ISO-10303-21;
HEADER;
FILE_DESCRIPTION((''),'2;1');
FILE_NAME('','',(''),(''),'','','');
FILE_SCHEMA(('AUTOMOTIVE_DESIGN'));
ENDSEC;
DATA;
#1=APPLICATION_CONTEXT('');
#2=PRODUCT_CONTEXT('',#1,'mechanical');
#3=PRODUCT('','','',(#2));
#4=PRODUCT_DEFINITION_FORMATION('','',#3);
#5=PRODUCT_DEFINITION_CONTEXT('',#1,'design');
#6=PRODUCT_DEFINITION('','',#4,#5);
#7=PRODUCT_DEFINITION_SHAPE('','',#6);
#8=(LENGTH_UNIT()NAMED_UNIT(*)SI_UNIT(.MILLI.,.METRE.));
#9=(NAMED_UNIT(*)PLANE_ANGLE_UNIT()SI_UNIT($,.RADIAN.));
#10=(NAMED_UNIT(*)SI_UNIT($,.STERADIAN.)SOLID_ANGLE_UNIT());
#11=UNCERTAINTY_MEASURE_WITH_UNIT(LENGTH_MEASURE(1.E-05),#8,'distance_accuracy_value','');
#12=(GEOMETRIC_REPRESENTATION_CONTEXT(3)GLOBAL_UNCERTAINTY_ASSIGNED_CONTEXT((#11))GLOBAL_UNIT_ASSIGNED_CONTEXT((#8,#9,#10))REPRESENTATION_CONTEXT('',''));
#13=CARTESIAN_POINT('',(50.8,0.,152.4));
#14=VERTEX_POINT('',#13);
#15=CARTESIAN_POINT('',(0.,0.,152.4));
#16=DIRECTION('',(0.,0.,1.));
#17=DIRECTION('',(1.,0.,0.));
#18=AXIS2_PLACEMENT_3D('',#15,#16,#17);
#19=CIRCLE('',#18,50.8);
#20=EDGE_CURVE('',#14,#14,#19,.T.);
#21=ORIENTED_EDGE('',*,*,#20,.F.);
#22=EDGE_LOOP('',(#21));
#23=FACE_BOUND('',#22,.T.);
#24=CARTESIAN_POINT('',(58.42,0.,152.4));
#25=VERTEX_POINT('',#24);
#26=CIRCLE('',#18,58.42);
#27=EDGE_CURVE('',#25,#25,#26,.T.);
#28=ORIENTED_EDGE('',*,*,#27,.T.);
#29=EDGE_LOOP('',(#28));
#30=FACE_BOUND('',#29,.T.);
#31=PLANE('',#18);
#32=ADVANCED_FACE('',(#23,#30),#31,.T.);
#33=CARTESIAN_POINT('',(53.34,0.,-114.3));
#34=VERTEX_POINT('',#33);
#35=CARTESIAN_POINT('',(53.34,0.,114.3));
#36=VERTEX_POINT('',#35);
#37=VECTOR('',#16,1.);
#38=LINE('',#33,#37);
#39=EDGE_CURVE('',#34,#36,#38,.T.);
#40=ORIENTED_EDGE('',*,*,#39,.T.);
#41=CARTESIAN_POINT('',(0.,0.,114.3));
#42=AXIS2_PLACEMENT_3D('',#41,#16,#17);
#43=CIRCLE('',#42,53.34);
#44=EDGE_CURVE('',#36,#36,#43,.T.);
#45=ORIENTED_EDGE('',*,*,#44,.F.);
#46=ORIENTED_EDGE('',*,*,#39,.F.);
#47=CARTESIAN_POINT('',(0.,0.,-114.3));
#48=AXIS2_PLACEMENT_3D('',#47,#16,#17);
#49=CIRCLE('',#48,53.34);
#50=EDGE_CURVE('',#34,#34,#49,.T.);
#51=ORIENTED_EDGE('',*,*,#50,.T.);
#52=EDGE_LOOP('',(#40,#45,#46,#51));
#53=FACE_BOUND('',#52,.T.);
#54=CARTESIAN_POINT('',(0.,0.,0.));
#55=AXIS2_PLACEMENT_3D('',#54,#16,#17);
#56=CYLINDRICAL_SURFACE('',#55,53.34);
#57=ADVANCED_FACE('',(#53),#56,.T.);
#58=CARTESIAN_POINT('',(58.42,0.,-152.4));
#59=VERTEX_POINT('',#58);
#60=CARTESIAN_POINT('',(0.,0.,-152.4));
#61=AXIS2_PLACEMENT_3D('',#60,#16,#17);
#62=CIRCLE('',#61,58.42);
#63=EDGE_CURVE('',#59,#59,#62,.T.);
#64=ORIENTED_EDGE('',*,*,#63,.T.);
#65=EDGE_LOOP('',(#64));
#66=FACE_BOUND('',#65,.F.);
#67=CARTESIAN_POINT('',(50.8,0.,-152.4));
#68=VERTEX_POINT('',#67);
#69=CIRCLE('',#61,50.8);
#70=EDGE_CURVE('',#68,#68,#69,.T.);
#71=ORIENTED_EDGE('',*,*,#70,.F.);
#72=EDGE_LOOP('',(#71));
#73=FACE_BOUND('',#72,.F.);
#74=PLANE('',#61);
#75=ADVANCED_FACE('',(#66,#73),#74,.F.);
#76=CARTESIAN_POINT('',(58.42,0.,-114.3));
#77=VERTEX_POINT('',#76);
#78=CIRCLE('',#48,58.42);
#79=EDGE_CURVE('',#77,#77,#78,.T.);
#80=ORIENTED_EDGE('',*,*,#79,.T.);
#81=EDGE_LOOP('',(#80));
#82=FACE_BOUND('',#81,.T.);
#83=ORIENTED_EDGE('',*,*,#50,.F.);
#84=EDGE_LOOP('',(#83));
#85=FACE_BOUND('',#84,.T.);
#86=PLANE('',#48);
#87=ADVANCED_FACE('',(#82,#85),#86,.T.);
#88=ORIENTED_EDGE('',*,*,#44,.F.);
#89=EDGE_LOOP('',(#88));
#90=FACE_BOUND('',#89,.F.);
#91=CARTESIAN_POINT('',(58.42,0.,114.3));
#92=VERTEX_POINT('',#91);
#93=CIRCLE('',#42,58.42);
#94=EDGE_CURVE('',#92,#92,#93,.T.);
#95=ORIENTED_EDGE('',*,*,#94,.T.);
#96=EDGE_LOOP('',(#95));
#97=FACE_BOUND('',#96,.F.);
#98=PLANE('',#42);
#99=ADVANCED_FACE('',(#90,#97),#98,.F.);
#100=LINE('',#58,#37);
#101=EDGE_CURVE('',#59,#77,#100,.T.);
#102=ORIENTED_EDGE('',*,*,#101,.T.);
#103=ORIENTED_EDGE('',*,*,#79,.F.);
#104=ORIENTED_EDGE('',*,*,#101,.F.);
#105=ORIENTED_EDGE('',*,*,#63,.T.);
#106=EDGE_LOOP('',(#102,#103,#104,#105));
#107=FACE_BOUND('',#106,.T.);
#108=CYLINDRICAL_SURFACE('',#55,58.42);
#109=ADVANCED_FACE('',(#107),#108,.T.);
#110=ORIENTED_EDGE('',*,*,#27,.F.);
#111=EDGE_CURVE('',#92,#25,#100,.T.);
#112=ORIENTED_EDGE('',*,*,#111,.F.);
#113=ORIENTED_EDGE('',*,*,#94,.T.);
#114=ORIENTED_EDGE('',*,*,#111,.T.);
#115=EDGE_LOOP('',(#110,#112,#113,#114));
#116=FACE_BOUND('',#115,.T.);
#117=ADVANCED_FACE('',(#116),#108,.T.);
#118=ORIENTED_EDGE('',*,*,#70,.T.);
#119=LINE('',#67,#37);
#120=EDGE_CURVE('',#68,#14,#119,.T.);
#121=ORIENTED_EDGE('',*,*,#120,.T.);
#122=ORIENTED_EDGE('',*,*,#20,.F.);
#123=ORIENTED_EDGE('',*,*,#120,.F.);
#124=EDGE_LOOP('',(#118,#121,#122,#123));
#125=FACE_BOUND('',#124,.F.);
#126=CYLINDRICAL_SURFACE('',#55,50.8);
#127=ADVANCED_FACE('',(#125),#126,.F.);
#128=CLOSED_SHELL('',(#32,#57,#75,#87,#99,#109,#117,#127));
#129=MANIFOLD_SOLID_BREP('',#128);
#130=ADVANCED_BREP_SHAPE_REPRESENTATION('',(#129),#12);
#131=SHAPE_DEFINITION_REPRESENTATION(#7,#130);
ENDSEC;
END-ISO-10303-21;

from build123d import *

# Parameters (mm, degrees)
F0_R     = 58.42
F3_DEPTH = 152.4
F4_DEPTH = 114.3
F1_R     = 53.34
F5_DEPTH = 114.3
F2_R     = 50.8
F6_DEPTH = 152.4


with BuildPart() as f3:
    # F0 (on Top) → F3 (new body, symmetric)
    with BuildSketch(Plane.XY):
        Circle(F0_R)
    extrude(amount=F3_DEPTH, both=True)

    # F0 (on Top) → F4 (cut, symmetric)
    with BuildSketch(Plane.XY):
        Circle(F0_R)
    extrude(amount=F4_DEPTH, both=True, mode=Mode.SUBTRACT)

    # F1 (on Top) → F5 (join, symmetric)
    with BuildSketch(Plane.XY):
        Circle(F1_R)
    extrude(amount=F5_DEPTH, both=True)

    # F2 (on Top) → F6 (cut, symmetric)
    with BuildSketch(Plane.XY):
        Circle(F2_R)
    extrude(amount=F6_DEPTH, both=True, mode=Mode.SUBTRACT)


solid = f3.part
